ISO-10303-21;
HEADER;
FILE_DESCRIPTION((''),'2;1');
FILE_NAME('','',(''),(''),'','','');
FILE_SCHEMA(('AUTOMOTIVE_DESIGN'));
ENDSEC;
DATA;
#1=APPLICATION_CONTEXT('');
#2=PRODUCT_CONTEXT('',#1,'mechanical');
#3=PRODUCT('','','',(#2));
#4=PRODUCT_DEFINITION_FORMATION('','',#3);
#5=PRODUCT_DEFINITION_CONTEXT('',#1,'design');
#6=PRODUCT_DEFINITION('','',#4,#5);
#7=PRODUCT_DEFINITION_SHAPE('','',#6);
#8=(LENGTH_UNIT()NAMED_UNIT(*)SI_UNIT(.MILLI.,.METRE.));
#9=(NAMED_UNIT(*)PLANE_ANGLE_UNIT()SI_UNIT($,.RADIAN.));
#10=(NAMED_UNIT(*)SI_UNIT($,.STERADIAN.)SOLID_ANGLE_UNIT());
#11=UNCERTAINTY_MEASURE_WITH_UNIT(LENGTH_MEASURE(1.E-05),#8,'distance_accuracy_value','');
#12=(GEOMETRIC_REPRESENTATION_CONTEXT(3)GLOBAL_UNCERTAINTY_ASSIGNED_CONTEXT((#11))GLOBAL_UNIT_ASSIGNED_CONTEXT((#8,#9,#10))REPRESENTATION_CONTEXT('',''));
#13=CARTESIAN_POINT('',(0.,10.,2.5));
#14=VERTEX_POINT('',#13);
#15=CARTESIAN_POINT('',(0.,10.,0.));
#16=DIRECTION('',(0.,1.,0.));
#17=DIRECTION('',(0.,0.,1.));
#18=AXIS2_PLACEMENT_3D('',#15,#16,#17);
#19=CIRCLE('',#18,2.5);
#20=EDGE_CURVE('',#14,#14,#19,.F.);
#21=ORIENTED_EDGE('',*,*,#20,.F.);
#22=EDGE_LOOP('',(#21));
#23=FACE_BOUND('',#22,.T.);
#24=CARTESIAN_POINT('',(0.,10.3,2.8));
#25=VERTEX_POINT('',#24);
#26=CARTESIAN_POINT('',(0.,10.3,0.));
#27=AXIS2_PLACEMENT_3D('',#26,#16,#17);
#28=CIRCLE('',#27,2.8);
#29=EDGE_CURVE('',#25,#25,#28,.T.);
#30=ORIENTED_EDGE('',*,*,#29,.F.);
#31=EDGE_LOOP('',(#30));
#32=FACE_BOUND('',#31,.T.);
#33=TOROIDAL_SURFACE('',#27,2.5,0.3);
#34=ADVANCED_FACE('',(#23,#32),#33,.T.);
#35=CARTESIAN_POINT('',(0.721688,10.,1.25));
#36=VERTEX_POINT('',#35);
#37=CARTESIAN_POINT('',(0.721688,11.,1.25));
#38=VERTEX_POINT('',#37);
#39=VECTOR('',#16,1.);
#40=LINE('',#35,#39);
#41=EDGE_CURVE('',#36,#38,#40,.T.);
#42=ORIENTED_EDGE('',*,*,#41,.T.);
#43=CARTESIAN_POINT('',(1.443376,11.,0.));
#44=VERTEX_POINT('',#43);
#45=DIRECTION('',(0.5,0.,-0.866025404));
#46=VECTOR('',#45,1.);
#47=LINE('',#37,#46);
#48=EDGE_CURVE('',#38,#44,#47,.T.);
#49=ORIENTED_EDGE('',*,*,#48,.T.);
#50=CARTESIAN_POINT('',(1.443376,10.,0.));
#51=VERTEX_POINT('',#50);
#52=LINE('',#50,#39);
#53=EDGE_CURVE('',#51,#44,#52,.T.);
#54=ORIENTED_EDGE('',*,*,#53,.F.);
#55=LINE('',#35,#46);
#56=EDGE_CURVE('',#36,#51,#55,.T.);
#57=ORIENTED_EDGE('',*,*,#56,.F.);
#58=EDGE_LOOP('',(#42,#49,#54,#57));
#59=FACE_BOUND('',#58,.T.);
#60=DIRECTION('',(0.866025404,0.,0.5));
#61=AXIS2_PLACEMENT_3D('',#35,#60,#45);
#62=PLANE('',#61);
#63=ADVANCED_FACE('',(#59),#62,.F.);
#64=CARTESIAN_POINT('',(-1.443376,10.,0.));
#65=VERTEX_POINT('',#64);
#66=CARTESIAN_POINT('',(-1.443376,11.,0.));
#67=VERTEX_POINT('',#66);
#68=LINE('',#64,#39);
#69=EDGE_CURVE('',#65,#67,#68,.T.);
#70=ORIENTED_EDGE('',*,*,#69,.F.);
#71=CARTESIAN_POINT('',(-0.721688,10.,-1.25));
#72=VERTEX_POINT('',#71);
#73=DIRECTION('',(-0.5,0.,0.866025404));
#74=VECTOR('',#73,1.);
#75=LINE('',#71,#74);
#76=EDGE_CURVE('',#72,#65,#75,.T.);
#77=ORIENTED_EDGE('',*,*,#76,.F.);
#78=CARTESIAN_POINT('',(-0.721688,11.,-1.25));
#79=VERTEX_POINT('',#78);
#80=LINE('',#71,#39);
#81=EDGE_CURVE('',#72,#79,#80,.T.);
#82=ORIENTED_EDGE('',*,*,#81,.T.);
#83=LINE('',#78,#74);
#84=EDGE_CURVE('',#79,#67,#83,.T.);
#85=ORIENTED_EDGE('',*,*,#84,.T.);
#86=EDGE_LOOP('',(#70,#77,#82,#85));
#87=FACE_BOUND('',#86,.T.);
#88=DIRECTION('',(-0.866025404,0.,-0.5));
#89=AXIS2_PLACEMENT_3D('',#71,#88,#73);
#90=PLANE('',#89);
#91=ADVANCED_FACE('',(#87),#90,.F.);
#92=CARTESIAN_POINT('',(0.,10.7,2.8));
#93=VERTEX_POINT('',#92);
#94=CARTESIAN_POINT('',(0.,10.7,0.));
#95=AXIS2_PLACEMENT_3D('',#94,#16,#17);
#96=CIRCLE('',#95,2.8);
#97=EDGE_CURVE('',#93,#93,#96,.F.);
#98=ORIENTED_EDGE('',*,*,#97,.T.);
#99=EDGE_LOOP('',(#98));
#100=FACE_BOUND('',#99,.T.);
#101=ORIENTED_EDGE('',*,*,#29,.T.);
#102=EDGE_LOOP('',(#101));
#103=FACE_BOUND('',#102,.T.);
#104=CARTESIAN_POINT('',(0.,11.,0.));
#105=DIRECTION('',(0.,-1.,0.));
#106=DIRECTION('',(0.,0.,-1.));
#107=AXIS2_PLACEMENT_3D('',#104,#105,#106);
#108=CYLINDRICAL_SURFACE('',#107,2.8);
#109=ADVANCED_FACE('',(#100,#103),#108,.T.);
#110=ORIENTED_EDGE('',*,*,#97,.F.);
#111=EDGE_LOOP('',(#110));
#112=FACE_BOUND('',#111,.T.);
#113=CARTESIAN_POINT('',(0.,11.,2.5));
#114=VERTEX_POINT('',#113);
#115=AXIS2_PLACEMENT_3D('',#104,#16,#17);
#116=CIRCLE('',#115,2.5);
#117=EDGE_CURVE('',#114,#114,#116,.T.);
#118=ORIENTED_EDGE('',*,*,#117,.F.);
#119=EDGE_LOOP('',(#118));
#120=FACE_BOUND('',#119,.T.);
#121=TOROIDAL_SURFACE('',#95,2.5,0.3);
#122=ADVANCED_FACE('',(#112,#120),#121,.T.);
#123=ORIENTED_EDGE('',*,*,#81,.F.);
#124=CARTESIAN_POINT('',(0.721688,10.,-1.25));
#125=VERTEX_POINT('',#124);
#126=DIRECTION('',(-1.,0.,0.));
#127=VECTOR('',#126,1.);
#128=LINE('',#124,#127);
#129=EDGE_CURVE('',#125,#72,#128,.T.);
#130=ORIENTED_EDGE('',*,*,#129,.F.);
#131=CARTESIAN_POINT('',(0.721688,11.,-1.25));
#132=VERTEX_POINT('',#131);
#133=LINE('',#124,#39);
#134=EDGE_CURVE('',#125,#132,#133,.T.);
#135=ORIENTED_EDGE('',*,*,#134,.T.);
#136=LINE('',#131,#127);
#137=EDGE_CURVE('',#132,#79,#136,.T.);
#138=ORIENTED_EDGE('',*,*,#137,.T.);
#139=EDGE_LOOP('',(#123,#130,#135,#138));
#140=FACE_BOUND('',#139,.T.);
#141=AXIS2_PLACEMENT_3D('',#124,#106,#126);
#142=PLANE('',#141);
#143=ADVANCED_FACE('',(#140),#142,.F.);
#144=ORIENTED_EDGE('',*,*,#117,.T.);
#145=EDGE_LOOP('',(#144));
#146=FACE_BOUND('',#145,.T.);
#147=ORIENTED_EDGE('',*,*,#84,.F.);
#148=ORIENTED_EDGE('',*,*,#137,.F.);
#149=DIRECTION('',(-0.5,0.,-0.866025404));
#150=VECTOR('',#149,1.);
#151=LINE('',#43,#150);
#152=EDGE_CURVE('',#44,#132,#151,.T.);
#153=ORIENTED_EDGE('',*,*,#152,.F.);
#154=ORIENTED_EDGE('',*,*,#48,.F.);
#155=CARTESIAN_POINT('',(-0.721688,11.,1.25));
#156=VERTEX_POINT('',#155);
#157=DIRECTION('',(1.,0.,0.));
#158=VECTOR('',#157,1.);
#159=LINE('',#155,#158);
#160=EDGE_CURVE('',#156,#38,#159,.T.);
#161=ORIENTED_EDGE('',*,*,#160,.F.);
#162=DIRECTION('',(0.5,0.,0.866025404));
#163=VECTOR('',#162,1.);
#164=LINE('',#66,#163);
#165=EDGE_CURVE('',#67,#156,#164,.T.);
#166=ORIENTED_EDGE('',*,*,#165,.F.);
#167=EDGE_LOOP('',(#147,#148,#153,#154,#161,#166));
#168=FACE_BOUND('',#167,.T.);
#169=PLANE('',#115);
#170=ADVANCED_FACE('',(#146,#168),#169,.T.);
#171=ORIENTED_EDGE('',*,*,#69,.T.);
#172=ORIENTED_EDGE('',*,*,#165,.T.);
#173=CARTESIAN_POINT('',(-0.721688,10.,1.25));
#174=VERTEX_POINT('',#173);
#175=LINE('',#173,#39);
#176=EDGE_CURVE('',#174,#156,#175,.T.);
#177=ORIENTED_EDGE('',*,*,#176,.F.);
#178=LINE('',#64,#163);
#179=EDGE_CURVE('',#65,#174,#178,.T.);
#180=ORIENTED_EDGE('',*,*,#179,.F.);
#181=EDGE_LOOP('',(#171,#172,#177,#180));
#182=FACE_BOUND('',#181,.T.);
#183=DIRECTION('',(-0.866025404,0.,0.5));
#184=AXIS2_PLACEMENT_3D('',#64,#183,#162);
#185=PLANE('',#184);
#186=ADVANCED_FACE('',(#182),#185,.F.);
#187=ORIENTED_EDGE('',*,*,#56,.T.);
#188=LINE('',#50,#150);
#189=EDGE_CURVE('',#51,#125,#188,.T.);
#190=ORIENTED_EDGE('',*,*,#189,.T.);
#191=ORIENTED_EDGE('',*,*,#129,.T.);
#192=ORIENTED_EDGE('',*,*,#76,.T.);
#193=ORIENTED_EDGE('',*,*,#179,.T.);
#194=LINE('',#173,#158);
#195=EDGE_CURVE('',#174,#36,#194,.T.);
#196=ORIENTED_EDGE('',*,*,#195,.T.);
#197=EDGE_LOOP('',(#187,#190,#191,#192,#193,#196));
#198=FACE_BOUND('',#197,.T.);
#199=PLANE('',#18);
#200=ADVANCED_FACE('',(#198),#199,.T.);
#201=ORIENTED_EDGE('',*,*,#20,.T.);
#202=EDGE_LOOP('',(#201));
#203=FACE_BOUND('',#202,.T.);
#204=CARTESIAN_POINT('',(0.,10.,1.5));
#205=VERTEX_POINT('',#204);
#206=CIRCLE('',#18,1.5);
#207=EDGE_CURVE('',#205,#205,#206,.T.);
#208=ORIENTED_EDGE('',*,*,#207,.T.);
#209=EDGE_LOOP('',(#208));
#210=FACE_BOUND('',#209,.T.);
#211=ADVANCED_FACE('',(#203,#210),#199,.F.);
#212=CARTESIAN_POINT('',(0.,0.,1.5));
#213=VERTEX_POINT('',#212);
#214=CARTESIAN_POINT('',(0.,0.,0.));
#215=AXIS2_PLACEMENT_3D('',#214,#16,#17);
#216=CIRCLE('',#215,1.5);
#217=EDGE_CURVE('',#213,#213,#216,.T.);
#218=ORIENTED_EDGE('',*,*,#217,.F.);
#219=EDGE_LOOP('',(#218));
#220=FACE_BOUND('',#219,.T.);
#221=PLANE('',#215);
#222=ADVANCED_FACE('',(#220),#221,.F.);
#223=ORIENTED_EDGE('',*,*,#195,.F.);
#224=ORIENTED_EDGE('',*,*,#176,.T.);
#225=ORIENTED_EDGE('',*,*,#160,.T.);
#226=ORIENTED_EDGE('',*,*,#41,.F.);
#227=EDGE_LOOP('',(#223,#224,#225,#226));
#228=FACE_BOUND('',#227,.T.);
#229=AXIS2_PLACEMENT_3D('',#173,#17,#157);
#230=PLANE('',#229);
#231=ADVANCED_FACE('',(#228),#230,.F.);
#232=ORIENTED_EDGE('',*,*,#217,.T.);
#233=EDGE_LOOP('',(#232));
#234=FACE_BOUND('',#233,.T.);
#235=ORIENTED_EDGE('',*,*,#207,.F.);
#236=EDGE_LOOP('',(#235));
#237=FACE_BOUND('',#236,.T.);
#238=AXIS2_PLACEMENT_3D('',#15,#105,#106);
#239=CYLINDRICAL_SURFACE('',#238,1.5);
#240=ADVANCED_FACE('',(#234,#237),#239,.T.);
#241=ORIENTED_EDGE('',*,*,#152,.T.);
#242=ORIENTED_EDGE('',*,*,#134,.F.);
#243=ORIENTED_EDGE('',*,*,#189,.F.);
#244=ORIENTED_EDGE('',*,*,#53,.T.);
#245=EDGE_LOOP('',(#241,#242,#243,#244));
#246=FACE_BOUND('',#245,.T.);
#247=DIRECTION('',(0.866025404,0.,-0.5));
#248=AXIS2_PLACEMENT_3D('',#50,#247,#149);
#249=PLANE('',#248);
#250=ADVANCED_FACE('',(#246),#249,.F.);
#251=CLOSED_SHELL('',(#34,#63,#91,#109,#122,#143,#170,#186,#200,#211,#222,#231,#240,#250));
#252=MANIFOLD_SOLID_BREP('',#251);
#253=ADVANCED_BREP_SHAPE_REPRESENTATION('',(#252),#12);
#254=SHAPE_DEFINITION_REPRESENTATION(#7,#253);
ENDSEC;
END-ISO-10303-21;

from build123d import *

# Parameters (mm, degrees)
SKETCH_1_R          = 1.5
EXTRUDE_1_DEPTH     = 10
SKETCH_2_R          = 2.8
EXTRUDE_2_DEPTH     = 1
CUT_EXTRUDE_1_DEPTH = 1
FILLET_1_R          = 0.3


with BuildPart() as part:
    # 草图1 → 凸台-拉伸1 (new body)
    with BuildSketch(Plane(origin=(0, 0, 0), x_dir=(1, 0, 0), z_dir=(0, 1, 0))):
        with Locations(Location((0, 0, 0), (0, 0, 270))):
            Circle(SKETCH_1_R)
    extrude(amount=EXTRUDE_1_DEPTH)

    # 草图2 → 凸台-拉伸2 (add)
    with BuildSketch(Plane(origin=(0, 10, 0), x_dir=(1, 0, 0), z_dir=(0, 1, 0))):
        with Locations(Location((0, 0, 0), (0, 0, 270))):
            Circle(SKETCH_2_R)
    extrude(amount=EXTRUDE_2_DEPTH)

    # 草图3 → 切除-拉伸1 (cut)
    with BuildSketch(Plane(origin=(0, 11, 0), x_dir=(1, 0, 0), z_dir=(0, 1, 0))):
        Polygon((-1.443375673, 0), (-0.721687836, -1.25), (0.721687836, -1.25), (1.443375673, 0), (0.721687836, 1.25), (-0.721687836, 1.25), align=None)
    extrude(amount=-CUT_EXTRUDE_1_DEPTH, mode=Mode.SUBTRACT)

    # 圆角1
    fillet_1_edges = [part.edges().sort_by_distance(p)[0] for p in [
        (0, 10, -2.8),
        (0, 11, -2.8),
    ]]
    fillet(fillet_1_edges, radius=FILLET_1_R)


solid = part.part
